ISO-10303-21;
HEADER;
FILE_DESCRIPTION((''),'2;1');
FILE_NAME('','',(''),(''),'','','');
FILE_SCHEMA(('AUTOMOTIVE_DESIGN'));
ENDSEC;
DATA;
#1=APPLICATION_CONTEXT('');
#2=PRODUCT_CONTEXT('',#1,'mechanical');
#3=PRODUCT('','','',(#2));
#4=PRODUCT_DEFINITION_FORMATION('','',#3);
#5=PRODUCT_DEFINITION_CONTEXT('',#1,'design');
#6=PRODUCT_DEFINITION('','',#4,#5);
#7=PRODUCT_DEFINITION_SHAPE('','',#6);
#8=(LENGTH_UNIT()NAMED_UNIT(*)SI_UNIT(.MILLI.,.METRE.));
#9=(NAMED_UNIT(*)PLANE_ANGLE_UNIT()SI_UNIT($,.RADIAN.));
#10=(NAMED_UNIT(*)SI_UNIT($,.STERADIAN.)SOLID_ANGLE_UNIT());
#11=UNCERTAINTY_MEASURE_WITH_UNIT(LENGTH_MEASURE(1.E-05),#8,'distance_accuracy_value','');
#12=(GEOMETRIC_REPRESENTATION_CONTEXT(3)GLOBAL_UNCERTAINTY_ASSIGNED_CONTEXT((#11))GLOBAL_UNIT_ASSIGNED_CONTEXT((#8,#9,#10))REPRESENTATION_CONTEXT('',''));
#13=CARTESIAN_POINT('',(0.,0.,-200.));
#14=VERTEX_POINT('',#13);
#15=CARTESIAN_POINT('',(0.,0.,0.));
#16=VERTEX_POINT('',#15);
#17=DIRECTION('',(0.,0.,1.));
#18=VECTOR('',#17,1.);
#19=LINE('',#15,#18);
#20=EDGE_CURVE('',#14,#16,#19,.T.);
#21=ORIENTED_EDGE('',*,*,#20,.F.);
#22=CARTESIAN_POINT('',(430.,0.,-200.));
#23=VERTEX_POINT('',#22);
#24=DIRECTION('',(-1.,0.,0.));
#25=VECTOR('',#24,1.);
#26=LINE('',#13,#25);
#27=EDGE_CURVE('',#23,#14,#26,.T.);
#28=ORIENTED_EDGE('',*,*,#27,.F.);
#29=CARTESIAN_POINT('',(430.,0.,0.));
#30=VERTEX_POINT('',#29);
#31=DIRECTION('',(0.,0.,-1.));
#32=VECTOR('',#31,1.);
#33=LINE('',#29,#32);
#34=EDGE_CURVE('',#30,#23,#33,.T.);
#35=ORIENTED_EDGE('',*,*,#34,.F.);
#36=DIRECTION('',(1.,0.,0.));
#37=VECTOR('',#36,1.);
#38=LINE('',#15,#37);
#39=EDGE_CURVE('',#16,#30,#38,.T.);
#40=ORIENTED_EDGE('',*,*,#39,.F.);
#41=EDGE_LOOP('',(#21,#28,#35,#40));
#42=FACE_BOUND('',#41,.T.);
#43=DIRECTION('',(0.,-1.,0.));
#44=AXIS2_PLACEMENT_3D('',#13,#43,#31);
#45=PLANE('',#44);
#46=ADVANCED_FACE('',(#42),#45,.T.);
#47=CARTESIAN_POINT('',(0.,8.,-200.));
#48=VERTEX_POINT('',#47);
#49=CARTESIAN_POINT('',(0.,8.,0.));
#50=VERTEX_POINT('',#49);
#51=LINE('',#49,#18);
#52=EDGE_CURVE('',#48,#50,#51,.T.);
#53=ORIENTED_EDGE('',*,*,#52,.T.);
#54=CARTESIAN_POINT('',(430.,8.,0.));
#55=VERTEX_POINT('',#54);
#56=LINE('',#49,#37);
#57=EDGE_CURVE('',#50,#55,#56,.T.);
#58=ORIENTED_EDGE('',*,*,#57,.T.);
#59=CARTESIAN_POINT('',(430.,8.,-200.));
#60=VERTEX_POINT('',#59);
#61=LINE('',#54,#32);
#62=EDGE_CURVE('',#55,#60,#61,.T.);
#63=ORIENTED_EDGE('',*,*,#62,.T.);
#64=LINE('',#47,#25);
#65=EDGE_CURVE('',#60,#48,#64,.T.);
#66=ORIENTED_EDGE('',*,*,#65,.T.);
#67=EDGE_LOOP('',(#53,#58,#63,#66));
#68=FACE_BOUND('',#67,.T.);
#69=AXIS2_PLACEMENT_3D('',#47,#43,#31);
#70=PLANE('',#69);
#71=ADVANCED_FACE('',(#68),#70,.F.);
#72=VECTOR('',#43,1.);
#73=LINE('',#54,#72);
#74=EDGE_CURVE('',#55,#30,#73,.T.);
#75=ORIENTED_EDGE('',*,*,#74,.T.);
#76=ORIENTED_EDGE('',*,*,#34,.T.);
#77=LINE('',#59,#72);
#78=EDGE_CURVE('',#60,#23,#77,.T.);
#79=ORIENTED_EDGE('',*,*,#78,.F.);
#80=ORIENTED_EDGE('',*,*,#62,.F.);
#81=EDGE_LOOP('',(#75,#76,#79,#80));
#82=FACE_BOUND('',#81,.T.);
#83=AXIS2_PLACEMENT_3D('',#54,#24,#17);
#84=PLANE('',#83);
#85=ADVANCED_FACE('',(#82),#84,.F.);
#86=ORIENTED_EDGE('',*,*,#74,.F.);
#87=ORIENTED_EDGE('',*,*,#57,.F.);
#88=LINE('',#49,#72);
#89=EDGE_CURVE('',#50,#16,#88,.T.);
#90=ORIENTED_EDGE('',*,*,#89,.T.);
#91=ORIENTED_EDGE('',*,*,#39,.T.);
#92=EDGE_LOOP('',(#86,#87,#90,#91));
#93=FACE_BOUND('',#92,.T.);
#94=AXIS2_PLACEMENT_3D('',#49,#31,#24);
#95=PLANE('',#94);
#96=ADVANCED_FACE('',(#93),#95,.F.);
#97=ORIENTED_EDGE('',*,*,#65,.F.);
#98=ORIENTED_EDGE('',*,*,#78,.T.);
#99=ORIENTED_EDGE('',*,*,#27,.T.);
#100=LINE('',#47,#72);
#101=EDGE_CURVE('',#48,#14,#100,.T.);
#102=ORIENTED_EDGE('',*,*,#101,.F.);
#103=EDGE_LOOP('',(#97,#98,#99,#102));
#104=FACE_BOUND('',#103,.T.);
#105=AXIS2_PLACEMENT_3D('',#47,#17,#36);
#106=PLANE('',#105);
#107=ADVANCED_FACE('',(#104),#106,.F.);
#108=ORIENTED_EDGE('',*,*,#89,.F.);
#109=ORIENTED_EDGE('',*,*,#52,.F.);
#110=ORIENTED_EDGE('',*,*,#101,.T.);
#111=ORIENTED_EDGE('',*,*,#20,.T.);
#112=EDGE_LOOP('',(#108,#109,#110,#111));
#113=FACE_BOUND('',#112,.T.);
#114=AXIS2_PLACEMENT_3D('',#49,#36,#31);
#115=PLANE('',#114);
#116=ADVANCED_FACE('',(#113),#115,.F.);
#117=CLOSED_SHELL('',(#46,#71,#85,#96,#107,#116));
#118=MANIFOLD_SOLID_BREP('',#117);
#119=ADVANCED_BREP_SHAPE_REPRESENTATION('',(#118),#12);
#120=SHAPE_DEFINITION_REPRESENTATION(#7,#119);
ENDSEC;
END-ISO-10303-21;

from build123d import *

# Parameters (mm, degrees)
SKETCH1_W      = 430
SKETCH1_H      = 200
EXTRUDE1_DEPTH = 8


with BuildPart() as part:
    # Sketch1 → Extrude1 (new body)
    with BuildSketch(Plane(origin=(0, 0, 0), x_dir=(1, 0, 0), z_dir=(0, 1, 0))):
        with Locations((215, 100)):
            Rectangle(SKETCH1_W, SKETCH1_H)
    extrude(amount=EXTRUDE1_DEPTH)


solid = part.part
